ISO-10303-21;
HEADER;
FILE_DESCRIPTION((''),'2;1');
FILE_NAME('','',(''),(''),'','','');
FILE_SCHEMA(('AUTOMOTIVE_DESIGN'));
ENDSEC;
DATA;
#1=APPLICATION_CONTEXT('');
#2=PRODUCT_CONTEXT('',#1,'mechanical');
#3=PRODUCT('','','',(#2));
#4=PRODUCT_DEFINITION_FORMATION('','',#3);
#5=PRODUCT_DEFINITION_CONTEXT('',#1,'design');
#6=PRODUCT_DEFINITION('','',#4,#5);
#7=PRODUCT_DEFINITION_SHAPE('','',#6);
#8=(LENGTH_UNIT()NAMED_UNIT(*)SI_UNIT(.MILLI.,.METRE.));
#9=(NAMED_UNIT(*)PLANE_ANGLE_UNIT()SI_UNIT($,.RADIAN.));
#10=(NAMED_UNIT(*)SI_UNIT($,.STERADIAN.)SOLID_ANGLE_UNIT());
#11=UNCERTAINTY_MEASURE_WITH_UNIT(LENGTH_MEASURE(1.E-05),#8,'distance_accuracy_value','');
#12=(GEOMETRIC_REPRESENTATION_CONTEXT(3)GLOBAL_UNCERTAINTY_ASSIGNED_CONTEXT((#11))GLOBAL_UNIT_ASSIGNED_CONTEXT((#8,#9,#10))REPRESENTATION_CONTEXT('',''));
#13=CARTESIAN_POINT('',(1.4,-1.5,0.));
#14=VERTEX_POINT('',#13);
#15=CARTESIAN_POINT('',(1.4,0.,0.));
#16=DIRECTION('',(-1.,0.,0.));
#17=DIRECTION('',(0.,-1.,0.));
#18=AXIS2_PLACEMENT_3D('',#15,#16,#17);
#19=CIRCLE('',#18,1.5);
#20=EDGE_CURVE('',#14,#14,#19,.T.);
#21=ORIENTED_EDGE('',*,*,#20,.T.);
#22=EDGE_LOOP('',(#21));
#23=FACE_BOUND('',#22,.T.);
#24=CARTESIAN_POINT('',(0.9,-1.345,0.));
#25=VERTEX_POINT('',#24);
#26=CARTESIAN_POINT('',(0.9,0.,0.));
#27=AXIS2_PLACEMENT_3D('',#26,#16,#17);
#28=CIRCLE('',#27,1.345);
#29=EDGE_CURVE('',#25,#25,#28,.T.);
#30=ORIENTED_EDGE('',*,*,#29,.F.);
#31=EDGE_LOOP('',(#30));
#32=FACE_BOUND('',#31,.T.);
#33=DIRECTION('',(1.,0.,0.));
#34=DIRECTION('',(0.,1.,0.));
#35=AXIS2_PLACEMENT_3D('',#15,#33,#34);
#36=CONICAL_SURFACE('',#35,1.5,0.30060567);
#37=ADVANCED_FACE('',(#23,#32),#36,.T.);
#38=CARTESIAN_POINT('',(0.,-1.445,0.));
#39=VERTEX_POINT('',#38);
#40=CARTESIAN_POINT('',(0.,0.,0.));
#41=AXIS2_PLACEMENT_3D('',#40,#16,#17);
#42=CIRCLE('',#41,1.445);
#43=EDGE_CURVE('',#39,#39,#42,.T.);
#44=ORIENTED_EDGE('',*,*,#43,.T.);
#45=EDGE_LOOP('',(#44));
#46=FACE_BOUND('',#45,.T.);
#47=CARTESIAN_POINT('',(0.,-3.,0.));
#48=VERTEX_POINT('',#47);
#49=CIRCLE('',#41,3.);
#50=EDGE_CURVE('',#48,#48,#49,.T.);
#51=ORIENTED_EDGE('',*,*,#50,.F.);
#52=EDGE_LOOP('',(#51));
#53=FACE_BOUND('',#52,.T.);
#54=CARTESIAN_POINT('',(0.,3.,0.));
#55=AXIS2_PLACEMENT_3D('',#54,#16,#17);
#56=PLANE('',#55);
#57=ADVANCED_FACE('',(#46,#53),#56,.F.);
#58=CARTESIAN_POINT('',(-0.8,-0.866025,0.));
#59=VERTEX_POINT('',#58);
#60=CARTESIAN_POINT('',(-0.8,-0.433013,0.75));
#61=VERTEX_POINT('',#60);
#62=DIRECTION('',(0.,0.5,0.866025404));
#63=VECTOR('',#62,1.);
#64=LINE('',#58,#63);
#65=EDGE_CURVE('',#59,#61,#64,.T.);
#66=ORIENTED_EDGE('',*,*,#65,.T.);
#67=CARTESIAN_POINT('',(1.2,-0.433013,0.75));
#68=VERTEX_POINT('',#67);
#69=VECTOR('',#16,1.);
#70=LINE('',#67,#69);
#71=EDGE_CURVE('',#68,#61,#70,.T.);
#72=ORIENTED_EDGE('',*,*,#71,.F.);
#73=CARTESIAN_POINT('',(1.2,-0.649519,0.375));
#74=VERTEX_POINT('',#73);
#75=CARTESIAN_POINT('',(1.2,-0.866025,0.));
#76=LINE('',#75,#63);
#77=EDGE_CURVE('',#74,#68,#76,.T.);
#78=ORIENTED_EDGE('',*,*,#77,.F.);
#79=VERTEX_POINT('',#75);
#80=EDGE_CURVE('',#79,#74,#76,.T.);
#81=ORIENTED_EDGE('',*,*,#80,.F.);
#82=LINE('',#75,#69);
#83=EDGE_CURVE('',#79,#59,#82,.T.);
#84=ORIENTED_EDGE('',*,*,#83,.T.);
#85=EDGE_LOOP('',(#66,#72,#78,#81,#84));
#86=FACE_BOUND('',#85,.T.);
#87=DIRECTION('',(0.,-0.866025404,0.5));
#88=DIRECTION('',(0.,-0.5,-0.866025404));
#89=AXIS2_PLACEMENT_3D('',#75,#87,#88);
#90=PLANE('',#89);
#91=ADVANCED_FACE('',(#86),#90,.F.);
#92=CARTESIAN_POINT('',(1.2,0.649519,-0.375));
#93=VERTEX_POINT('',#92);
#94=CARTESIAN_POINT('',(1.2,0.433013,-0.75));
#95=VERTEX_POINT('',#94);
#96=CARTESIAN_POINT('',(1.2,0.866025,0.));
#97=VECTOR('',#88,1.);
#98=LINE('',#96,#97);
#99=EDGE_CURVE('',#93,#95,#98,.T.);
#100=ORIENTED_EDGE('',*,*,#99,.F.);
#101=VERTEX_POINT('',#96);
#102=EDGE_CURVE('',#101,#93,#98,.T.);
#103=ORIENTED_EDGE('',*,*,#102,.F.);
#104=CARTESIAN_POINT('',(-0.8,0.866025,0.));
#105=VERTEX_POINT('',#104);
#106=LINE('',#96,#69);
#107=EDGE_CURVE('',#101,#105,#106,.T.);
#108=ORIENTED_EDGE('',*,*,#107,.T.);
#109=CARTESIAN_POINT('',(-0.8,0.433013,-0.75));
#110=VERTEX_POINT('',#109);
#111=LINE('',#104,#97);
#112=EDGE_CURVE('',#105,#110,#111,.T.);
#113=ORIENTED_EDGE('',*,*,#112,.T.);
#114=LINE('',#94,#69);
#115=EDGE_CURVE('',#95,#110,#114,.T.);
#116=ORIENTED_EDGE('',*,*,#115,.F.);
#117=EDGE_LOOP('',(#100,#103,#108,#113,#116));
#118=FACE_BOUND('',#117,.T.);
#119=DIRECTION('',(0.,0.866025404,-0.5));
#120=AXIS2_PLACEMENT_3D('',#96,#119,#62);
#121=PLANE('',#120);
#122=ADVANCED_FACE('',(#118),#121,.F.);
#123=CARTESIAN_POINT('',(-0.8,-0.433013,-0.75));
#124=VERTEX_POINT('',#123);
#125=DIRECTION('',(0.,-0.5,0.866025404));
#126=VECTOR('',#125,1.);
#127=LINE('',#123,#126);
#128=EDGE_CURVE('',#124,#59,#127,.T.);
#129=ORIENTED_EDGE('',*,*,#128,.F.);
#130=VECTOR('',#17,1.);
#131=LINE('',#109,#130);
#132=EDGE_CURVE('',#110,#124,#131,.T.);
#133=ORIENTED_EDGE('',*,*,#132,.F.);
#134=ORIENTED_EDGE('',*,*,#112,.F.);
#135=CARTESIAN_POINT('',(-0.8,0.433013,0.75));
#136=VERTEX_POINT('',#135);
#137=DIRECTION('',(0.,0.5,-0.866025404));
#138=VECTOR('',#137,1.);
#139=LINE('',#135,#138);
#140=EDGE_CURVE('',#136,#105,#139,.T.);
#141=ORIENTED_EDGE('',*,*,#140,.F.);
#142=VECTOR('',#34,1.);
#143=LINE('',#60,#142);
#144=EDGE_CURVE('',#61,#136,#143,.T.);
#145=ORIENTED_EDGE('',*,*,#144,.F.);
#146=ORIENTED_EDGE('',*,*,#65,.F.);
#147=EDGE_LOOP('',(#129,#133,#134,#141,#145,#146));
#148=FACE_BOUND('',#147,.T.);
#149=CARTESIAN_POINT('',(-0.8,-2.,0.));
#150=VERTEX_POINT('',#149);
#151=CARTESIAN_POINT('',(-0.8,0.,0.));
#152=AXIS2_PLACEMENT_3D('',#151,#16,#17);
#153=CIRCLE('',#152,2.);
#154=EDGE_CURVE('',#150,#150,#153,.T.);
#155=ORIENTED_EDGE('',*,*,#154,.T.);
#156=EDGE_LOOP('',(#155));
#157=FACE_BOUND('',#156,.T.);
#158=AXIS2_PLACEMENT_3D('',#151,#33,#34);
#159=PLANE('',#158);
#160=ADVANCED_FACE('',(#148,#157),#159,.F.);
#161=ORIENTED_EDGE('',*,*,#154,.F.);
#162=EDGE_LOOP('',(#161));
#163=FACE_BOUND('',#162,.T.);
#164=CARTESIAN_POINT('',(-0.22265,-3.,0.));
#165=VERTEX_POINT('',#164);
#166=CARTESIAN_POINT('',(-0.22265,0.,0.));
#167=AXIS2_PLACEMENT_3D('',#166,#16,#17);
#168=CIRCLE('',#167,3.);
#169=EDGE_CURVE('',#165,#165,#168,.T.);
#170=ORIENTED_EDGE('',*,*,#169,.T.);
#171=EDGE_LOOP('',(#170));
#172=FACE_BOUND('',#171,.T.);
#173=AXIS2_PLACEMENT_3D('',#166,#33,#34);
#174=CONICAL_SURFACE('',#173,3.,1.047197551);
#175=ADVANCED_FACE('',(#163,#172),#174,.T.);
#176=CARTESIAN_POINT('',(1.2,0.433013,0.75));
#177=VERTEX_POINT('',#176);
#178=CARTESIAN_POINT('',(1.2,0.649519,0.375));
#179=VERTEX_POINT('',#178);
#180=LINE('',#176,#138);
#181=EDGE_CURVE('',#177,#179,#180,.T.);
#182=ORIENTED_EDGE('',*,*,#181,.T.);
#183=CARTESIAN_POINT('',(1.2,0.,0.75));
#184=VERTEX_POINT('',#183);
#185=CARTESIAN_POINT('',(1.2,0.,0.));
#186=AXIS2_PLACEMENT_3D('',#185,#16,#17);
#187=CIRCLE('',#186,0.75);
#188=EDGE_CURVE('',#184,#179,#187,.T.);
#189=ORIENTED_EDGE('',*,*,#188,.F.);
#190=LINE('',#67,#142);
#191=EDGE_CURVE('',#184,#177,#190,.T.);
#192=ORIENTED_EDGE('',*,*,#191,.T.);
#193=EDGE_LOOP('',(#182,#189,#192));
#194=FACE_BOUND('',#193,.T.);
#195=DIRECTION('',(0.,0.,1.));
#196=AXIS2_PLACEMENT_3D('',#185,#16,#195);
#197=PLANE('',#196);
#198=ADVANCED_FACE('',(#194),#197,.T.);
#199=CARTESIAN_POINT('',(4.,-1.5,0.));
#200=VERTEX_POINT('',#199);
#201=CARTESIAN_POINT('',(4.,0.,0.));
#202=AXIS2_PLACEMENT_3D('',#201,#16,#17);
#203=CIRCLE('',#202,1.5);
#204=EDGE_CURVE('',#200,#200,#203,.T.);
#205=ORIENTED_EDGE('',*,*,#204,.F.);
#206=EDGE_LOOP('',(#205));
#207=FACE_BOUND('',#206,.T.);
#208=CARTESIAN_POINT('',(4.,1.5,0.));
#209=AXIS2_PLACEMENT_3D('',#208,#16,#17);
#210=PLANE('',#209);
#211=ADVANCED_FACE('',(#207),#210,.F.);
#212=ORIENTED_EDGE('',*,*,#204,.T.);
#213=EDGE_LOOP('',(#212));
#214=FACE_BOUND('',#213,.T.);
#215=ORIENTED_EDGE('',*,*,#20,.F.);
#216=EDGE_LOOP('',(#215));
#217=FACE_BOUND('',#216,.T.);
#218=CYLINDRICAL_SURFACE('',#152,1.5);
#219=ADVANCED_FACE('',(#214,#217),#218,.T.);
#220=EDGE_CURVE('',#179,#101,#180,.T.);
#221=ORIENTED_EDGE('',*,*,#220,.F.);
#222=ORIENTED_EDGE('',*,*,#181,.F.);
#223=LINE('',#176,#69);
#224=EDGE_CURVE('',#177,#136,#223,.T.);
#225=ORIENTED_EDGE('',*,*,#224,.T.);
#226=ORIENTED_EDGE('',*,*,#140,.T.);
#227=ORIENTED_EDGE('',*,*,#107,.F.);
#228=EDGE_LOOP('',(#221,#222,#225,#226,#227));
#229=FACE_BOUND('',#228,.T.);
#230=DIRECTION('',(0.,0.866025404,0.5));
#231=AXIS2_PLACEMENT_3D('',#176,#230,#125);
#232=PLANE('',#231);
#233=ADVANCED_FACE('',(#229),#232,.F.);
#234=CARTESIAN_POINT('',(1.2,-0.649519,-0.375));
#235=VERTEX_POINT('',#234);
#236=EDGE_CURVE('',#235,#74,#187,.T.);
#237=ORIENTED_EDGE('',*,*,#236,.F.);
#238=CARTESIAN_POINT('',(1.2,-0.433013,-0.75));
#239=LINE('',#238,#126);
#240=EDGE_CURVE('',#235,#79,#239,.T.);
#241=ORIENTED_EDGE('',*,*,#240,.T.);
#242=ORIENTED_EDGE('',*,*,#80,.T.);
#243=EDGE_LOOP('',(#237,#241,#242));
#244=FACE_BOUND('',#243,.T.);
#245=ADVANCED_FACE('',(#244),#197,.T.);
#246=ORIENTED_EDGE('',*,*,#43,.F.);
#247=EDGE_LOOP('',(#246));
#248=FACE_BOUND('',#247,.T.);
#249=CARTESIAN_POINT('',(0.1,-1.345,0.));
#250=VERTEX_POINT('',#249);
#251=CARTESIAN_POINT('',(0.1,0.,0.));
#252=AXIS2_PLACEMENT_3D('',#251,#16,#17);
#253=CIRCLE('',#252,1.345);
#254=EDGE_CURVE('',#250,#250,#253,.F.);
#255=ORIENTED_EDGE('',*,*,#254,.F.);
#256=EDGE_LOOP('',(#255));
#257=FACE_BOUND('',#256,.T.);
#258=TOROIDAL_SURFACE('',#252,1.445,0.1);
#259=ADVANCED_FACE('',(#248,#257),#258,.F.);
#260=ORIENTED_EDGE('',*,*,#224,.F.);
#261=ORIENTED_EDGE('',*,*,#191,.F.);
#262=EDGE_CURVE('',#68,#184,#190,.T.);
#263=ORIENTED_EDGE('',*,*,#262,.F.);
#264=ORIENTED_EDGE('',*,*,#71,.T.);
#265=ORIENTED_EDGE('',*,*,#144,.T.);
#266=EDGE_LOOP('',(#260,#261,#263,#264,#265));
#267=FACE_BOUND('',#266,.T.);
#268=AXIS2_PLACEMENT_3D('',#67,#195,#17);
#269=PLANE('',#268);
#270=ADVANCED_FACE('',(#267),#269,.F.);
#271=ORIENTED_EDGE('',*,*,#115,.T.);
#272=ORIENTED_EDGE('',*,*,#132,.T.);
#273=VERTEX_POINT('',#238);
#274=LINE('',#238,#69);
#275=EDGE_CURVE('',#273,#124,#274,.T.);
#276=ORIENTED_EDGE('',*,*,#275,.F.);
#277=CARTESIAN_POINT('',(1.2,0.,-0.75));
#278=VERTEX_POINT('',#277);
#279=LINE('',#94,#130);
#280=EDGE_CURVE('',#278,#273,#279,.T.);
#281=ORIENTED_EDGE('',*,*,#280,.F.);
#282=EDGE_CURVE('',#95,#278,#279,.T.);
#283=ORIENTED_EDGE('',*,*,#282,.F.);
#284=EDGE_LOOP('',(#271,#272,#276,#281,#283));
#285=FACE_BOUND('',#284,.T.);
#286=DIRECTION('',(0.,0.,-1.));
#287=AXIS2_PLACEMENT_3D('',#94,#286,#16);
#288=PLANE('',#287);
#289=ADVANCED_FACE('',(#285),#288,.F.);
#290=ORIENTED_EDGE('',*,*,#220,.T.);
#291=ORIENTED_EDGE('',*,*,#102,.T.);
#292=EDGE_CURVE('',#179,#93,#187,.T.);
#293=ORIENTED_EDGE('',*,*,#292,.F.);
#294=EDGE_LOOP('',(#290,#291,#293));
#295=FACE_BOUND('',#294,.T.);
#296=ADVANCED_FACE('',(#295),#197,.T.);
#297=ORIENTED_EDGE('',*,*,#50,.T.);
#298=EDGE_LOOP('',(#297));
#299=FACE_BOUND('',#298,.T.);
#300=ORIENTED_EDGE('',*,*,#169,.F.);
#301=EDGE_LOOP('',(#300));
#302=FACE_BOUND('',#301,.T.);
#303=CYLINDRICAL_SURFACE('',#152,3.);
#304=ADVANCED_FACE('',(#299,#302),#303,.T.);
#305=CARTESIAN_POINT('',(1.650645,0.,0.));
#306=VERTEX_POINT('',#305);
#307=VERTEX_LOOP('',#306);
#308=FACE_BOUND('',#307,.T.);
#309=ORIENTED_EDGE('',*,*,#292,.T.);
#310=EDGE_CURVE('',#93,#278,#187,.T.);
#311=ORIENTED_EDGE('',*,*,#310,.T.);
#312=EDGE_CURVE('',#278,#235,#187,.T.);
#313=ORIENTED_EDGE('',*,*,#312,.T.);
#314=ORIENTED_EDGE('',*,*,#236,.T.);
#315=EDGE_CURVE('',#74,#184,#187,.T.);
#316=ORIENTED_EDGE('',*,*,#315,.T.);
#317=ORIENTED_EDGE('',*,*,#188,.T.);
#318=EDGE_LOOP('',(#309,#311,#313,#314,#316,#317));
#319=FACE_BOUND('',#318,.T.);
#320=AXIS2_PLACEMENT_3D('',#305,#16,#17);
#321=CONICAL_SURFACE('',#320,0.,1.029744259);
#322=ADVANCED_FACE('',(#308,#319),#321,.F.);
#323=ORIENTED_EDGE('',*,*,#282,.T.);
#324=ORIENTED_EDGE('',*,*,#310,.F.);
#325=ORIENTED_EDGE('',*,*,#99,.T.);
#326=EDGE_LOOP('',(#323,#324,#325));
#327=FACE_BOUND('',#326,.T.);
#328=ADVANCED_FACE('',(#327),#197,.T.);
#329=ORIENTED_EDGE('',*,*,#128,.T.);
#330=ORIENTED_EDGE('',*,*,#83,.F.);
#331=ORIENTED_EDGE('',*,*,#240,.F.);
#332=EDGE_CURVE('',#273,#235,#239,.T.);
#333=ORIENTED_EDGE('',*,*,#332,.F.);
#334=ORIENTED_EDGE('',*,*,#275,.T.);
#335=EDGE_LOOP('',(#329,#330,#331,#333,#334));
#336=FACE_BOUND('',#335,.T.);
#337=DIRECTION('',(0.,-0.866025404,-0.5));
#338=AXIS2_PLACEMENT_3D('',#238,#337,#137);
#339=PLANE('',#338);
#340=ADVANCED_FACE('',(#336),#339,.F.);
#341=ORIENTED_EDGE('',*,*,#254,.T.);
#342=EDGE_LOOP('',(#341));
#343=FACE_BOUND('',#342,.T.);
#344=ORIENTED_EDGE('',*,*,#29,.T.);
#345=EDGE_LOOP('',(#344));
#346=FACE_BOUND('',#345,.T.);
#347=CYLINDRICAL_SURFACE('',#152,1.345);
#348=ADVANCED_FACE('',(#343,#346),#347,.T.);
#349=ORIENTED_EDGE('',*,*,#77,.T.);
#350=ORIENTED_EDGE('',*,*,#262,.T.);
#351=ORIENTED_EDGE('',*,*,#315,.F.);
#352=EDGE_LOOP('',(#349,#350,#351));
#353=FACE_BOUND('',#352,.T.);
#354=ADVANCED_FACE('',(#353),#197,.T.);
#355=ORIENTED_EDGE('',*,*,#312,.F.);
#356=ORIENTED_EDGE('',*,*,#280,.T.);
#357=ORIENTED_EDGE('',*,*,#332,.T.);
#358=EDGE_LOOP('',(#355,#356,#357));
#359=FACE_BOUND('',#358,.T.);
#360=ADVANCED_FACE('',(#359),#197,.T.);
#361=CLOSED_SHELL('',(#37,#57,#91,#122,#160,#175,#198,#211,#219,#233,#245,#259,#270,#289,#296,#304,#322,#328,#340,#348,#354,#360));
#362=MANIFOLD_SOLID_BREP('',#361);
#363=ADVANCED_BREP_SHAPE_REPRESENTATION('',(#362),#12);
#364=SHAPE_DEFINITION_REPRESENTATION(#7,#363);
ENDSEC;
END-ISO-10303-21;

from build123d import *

# Parameters (mm, degrees)
FILLET1_R          = 0.1
CUT_EXTRUDE1_DEPTH = 2


with BuildPart() as part:
    # Sketch1 → Revolve1 (revolve)
    with BuildSketch(Plane.XY):
        Polygon((-0.8, 0), (-0.8, 2), (-0.222649731, 3), (0, 3), (0, 1.345), (0.9, 1.345), (1.4, 1.5), (4, 1.5), (4, 0), align=None)
    revolve(axis=Axis((-0.8, 0, 0), (1, 0, 0)))

    # Fillet1
    fillet1_edges = [part.edges().sort_by_distance(p)[0] for p in [
        (0, -1.345, 0),
    ]]
    fillet(fillet1_edges, radius=FILLET1_R)

    # Sketch2 → Cut-Extrude1 (cut)
    with BuildSketch(Plane.ZY.offset(0.8)):
        Polygon((0, 0.866025404), (-0.75, 0.433012702), (-0.75, -0.433012702), (0, -0.866025404), (0.75, -0.433012702), (0.75, 0.433012702), align=None)
    extrude(amount=-CUT_EXTRUDE1_DEPTH, mode=Mode.SUBTRACT)

    # Sketch3 → Cut-Revolve1 (revolve, cut)
    with BuildSketch(Plane.XY):
        Polygon((1.2, 0), (1.2, 0.75), (1.650645464, 0), align=None)
    revolve(axis=Axis((1.2, 0, 0), (1, 0, 0)), mode=Mode.SUBTRACT)


solid = part.part
